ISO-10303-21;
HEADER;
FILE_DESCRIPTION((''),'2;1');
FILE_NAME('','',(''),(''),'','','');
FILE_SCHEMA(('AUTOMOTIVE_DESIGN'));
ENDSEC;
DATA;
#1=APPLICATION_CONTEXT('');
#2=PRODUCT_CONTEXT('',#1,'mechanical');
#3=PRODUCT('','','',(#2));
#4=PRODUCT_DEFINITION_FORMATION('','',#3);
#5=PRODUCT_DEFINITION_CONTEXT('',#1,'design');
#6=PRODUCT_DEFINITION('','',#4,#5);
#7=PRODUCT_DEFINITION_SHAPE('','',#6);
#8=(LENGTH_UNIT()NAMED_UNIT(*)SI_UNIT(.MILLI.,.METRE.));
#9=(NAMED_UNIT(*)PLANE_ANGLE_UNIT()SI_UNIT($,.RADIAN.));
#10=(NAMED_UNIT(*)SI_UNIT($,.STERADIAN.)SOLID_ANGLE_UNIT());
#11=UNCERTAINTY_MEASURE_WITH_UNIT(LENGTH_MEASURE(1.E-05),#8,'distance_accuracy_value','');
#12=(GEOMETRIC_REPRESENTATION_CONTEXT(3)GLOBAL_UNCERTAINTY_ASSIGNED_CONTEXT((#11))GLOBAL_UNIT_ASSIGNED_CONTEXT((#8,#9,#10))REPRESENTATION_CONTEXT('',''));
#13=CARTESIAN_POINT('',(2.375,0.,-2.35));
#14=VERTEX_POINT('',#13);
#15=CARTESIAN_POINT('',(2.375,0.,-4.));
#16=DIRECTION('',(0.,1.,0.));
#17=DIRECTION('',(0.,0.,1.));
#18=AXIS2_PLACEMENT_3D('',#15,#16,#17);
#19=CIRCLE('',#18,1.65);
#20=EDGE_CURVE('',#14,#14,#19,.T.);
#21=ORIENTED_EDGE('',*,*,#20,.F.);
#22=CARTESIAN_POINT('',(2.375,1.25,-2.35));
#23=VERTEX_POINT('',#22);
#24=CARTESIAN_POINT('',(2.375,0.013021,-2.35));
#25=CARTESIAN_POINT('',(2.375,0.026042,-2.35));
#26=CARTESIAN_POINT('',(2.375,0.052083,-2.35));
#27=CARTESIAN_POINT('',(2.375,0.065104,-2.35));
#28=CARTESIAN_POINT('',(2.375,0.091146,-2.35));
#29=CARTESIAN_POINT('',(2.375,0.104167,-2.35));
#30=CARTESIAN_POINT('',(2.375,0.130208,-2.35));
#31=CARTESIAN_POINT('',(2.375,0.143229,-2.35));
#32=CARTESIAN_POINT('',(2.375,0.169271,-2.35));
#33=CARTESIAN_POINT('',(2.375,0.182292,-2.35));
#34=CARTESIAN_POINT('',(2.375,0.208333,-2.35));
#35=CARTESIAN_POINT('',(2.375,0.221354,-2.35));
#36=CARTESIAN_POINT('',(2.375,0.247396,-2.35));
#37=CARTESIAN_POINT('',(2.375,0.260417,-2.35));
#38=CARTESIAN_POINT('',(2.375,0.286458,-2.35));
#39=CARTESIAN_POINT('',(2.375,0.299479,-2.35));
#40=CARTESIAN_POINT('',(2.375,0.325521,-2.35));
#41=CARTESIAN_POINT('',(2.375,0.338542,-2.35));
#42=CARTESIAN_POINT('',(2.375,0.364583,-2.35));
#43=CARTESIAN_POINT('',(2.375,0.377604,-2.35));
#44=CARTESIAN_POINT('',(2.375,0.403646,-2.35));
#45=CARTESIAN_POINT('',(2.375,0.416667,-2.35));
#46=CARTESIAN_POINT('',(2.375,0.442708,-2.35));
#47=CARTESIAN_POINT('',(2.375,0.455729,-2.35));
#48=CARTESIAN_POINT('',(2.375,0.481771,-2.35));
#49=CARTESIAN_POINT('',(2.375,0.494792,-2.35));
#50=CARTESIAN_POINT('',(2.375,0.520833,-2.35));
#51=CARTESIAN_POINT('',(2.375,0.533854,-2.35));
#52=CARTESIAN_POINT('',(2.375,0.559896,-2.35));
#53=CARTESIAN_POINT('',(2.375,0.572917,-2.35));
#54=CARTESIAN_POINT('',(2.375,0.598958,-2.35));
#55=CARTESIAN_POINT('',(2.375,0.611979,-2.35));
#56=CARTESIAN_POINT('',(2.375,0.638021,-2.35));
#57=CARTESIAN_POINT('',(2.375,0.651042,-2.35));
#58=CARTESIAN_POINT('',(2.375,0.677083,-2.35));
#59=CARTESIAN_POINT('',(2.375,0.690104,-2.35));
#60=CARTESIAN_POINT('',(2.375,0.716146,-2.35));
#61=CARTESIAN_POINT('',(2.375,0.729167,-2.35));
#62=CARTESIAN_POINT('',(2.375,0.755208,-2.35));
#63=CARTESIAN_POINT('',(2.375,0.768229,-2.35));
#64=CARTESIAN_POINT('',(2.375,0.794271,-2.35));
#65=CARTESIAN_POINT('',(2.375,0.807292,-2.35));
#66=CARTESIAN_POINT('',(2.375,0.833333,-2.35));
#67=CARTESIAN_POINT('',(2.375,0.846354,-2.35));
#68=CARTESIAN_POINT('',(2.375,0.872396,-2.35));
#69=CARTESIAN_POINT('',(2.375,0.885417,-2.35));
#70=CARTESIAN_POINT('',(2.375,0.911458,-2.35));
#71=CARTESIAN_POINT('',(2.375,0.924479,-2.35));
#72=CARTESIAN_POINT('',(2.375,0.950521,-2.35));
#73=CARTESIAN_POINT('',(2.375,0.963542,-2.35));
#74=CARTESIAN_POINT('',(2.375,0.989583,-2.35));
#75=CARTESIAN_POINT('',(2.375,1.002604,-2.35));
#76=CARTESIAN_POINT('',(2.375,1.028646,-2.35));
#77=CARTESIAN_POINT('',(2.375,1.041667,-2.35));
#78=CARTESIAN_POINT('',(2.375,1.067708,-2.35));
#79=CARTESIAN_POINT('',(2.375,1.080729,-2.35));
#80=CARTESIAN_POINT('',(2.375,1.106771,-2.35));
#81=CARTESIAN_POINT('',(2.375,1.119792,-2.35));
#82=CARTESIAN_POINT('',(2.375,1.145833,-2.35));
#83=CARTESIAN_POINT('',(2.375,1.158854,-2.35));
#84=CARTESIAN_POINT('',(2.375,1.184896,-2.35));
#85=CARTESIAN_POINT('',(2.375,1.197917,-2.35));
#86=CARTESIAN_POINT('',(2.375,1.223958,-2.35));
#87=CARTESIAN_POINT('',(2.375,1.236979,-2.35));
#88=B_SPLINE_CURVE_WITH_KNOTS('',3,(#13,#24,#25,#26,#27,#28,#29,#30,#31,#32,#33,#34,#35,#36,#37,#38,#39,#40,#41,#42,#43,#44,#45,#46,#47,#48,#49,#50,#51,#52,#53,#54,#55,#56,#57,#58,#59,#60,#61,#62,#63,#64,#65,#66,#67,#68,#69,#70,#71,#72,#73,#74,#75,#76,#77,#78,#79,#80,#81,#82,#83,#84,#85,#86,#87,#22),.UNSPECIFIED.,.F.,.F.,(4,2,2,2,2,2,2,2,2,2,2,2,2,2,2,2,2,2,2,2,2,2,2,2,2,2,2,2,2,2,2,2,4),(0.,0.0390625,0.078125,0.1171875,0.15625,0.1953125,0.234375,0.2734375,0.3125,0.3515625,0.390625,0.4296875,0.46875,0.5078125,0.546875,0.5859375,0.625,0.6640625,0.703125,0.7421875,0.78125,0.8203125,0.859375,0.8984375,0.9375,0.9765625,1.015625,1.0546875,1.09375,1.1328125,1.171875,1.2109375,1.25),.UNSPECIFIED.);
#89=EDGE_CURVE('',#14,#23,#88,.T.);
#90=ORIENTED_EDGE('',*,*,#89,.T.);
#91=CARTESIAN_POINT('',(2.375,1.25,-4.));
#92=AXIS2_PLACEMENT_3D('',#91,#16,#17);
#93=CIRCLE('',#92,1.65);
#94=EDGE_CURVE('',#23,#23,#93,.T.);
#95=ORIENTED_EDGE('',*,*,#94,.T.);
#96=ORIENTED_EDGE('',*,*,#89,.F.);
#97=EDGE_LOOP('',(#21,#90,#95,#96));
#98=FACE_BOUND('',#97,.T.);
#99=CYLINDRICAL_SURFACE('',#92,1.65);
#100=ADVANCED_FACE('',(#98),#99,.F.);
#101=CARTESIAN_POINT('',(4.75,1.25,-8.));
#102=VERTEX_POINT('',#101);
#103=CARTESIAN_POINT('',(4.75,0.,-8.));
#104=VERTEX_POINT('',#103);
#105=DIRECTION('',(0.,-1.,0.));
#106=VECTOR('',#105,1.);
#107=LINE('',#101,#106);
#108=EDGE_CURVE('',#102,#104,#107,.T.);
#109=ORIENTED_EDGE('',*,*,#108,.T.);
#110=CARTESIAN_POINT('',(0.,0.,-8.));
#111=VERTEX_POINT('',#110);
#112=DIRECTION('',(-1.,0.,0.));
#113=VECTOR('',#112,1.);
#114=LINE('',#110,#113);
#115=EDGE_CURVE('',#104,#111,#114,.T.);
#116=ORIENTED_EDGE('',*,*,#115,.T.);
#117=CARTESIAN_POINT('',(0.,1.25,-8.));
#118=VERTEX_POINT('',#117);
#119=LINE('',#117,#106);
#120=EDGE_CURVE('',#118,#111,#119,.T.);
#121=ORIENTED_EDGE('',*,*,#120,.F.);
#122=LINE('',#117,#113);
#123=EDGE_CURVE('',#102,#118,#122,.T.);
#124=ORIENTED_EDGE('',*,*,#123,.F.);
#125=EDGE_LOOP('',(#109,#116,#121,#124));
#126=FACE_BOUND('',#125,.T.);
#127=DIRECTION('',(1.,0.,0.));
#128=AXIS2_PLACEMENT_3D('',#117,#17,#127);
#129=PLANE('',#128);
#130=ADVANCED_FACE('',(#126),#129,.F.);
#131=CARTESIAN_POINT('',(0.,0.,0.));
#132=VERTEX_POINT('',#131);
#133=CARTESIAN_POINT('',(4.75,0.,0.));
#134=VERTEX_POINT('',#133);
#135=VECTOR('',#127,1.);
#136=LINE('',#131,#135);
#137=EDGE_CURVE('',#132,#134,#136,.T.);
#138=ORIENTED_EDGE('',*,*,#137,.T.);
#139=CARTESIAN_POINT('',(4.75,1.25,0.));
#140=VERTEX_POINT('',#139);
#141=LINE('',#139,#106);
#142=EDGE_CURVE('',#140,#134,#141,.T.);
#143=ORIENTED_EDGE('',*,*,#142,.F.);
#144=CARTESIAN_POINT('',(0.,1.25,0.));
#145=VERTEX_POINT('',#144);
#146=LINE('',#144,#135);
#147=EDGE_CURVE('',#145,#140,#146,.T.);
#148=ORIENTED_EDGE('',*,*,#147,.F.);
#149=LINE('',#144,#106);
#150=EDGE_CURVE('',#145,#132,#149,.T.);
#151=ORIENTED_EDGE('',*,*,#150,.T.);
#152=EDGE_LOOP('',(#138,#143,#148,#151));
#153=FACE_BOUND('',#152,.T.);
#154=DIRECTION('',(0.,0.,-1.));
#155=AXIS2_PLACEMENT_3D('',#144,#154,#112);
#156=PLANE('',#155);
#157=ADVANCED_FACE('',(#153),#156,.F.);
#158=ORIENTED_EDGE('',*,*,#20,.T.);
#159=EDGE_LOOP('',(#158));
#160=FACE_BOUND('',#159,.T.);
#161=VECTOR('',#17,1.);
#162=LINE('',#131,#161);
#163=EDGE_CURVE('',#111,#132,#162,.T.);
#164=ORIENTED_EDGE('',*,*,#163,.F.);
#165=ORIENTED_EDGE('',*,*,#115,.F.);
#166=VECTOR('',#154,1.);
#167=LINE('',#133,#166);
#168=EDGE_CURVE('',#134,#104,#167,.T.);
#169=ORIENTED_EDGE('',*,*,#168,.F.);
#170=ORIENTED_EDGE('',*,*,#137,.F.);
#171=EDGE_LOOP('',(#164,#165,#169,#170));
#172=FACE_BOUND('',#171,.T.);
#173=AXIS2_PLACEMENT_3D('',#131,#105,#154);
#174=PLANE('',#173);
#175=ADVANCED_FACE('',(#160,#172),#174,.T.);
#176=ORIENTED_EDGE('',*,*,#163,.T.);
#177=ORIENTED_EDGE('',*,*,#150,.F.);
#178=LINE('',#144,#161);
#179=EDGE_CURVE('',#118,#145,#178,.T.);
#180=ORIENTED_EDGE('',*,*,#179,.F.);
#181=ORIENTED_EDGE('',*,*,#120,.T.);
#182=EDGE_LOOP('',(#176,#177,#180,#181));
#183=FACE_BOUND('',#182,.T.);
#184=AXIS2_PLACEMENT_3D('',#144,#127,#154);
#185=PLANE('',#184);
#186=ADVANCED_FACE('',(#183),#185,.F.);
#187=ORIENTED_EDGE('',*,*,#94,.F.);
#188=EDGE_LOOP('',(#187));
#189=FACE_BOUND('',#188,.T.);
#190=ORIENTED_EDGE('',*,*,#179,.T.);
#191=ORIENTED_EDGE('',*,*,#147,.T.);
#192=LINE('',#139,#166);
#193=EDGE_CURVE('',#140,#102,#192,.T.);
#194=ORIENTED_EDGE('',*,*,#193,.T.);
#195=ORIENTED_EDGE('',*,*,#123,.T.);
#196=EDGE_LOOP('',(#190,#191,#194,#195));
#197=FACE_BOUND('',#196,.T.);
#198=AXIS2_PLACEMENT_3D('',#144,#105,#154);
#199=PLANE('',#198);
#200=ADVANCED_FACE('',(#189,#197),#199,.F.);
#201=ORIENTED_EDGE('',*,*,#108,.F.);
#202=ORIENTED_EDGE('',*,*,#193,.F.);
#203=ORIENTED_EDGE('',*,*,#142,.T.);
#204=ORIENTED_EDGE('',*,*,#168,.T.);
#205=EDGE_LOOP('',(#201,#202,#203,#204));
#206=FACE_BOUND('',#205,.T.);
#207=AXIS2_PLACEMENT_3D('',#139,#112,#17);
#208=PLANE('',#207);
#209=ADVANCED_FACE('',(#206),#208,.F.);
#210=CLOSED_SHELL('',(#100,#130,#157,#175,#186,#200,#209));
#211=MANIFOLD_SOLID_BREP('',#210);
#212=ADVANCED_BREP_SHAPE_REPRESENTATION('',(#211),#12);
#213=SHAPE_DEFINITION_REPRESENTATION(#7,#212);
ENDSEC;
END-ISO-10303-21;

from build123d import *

# Parameters (mm, degrees)
SKETCH1_W             = 4.75
SKETCH1_H             = 8
BOSS_EXTRUDE1_DEPTH   = 1.25
M4X0_7_TAPPED_HOLE1_D = 3.3


with BuildPart() as part:
    # Sketch1 → Boss-Extrude1 (new body)
    with BuildSketch(Plane(origin=(0, 0, 0), x_dir=(1, 0, 0), z_dir=(0, 1, 0))):
        with Locations((2.375, 4)):
            Rectangle(SKETCH1_W, SKETCH1_H)
    extrude(amount=BOSS_EXTRUDE1_DEPTH)

    # M4x0.7 Tapped Hole1 (through all)
    with Locations(Plane(origin=(0, 1.25, 0), x_dir=(1, 0, 0), z_dir=(0, 1, 0))):
        with Locations((2.375, 4)):
            Hole(M4X0_7_TAPPED_HOLE1_D / 2)


solid = part.part
